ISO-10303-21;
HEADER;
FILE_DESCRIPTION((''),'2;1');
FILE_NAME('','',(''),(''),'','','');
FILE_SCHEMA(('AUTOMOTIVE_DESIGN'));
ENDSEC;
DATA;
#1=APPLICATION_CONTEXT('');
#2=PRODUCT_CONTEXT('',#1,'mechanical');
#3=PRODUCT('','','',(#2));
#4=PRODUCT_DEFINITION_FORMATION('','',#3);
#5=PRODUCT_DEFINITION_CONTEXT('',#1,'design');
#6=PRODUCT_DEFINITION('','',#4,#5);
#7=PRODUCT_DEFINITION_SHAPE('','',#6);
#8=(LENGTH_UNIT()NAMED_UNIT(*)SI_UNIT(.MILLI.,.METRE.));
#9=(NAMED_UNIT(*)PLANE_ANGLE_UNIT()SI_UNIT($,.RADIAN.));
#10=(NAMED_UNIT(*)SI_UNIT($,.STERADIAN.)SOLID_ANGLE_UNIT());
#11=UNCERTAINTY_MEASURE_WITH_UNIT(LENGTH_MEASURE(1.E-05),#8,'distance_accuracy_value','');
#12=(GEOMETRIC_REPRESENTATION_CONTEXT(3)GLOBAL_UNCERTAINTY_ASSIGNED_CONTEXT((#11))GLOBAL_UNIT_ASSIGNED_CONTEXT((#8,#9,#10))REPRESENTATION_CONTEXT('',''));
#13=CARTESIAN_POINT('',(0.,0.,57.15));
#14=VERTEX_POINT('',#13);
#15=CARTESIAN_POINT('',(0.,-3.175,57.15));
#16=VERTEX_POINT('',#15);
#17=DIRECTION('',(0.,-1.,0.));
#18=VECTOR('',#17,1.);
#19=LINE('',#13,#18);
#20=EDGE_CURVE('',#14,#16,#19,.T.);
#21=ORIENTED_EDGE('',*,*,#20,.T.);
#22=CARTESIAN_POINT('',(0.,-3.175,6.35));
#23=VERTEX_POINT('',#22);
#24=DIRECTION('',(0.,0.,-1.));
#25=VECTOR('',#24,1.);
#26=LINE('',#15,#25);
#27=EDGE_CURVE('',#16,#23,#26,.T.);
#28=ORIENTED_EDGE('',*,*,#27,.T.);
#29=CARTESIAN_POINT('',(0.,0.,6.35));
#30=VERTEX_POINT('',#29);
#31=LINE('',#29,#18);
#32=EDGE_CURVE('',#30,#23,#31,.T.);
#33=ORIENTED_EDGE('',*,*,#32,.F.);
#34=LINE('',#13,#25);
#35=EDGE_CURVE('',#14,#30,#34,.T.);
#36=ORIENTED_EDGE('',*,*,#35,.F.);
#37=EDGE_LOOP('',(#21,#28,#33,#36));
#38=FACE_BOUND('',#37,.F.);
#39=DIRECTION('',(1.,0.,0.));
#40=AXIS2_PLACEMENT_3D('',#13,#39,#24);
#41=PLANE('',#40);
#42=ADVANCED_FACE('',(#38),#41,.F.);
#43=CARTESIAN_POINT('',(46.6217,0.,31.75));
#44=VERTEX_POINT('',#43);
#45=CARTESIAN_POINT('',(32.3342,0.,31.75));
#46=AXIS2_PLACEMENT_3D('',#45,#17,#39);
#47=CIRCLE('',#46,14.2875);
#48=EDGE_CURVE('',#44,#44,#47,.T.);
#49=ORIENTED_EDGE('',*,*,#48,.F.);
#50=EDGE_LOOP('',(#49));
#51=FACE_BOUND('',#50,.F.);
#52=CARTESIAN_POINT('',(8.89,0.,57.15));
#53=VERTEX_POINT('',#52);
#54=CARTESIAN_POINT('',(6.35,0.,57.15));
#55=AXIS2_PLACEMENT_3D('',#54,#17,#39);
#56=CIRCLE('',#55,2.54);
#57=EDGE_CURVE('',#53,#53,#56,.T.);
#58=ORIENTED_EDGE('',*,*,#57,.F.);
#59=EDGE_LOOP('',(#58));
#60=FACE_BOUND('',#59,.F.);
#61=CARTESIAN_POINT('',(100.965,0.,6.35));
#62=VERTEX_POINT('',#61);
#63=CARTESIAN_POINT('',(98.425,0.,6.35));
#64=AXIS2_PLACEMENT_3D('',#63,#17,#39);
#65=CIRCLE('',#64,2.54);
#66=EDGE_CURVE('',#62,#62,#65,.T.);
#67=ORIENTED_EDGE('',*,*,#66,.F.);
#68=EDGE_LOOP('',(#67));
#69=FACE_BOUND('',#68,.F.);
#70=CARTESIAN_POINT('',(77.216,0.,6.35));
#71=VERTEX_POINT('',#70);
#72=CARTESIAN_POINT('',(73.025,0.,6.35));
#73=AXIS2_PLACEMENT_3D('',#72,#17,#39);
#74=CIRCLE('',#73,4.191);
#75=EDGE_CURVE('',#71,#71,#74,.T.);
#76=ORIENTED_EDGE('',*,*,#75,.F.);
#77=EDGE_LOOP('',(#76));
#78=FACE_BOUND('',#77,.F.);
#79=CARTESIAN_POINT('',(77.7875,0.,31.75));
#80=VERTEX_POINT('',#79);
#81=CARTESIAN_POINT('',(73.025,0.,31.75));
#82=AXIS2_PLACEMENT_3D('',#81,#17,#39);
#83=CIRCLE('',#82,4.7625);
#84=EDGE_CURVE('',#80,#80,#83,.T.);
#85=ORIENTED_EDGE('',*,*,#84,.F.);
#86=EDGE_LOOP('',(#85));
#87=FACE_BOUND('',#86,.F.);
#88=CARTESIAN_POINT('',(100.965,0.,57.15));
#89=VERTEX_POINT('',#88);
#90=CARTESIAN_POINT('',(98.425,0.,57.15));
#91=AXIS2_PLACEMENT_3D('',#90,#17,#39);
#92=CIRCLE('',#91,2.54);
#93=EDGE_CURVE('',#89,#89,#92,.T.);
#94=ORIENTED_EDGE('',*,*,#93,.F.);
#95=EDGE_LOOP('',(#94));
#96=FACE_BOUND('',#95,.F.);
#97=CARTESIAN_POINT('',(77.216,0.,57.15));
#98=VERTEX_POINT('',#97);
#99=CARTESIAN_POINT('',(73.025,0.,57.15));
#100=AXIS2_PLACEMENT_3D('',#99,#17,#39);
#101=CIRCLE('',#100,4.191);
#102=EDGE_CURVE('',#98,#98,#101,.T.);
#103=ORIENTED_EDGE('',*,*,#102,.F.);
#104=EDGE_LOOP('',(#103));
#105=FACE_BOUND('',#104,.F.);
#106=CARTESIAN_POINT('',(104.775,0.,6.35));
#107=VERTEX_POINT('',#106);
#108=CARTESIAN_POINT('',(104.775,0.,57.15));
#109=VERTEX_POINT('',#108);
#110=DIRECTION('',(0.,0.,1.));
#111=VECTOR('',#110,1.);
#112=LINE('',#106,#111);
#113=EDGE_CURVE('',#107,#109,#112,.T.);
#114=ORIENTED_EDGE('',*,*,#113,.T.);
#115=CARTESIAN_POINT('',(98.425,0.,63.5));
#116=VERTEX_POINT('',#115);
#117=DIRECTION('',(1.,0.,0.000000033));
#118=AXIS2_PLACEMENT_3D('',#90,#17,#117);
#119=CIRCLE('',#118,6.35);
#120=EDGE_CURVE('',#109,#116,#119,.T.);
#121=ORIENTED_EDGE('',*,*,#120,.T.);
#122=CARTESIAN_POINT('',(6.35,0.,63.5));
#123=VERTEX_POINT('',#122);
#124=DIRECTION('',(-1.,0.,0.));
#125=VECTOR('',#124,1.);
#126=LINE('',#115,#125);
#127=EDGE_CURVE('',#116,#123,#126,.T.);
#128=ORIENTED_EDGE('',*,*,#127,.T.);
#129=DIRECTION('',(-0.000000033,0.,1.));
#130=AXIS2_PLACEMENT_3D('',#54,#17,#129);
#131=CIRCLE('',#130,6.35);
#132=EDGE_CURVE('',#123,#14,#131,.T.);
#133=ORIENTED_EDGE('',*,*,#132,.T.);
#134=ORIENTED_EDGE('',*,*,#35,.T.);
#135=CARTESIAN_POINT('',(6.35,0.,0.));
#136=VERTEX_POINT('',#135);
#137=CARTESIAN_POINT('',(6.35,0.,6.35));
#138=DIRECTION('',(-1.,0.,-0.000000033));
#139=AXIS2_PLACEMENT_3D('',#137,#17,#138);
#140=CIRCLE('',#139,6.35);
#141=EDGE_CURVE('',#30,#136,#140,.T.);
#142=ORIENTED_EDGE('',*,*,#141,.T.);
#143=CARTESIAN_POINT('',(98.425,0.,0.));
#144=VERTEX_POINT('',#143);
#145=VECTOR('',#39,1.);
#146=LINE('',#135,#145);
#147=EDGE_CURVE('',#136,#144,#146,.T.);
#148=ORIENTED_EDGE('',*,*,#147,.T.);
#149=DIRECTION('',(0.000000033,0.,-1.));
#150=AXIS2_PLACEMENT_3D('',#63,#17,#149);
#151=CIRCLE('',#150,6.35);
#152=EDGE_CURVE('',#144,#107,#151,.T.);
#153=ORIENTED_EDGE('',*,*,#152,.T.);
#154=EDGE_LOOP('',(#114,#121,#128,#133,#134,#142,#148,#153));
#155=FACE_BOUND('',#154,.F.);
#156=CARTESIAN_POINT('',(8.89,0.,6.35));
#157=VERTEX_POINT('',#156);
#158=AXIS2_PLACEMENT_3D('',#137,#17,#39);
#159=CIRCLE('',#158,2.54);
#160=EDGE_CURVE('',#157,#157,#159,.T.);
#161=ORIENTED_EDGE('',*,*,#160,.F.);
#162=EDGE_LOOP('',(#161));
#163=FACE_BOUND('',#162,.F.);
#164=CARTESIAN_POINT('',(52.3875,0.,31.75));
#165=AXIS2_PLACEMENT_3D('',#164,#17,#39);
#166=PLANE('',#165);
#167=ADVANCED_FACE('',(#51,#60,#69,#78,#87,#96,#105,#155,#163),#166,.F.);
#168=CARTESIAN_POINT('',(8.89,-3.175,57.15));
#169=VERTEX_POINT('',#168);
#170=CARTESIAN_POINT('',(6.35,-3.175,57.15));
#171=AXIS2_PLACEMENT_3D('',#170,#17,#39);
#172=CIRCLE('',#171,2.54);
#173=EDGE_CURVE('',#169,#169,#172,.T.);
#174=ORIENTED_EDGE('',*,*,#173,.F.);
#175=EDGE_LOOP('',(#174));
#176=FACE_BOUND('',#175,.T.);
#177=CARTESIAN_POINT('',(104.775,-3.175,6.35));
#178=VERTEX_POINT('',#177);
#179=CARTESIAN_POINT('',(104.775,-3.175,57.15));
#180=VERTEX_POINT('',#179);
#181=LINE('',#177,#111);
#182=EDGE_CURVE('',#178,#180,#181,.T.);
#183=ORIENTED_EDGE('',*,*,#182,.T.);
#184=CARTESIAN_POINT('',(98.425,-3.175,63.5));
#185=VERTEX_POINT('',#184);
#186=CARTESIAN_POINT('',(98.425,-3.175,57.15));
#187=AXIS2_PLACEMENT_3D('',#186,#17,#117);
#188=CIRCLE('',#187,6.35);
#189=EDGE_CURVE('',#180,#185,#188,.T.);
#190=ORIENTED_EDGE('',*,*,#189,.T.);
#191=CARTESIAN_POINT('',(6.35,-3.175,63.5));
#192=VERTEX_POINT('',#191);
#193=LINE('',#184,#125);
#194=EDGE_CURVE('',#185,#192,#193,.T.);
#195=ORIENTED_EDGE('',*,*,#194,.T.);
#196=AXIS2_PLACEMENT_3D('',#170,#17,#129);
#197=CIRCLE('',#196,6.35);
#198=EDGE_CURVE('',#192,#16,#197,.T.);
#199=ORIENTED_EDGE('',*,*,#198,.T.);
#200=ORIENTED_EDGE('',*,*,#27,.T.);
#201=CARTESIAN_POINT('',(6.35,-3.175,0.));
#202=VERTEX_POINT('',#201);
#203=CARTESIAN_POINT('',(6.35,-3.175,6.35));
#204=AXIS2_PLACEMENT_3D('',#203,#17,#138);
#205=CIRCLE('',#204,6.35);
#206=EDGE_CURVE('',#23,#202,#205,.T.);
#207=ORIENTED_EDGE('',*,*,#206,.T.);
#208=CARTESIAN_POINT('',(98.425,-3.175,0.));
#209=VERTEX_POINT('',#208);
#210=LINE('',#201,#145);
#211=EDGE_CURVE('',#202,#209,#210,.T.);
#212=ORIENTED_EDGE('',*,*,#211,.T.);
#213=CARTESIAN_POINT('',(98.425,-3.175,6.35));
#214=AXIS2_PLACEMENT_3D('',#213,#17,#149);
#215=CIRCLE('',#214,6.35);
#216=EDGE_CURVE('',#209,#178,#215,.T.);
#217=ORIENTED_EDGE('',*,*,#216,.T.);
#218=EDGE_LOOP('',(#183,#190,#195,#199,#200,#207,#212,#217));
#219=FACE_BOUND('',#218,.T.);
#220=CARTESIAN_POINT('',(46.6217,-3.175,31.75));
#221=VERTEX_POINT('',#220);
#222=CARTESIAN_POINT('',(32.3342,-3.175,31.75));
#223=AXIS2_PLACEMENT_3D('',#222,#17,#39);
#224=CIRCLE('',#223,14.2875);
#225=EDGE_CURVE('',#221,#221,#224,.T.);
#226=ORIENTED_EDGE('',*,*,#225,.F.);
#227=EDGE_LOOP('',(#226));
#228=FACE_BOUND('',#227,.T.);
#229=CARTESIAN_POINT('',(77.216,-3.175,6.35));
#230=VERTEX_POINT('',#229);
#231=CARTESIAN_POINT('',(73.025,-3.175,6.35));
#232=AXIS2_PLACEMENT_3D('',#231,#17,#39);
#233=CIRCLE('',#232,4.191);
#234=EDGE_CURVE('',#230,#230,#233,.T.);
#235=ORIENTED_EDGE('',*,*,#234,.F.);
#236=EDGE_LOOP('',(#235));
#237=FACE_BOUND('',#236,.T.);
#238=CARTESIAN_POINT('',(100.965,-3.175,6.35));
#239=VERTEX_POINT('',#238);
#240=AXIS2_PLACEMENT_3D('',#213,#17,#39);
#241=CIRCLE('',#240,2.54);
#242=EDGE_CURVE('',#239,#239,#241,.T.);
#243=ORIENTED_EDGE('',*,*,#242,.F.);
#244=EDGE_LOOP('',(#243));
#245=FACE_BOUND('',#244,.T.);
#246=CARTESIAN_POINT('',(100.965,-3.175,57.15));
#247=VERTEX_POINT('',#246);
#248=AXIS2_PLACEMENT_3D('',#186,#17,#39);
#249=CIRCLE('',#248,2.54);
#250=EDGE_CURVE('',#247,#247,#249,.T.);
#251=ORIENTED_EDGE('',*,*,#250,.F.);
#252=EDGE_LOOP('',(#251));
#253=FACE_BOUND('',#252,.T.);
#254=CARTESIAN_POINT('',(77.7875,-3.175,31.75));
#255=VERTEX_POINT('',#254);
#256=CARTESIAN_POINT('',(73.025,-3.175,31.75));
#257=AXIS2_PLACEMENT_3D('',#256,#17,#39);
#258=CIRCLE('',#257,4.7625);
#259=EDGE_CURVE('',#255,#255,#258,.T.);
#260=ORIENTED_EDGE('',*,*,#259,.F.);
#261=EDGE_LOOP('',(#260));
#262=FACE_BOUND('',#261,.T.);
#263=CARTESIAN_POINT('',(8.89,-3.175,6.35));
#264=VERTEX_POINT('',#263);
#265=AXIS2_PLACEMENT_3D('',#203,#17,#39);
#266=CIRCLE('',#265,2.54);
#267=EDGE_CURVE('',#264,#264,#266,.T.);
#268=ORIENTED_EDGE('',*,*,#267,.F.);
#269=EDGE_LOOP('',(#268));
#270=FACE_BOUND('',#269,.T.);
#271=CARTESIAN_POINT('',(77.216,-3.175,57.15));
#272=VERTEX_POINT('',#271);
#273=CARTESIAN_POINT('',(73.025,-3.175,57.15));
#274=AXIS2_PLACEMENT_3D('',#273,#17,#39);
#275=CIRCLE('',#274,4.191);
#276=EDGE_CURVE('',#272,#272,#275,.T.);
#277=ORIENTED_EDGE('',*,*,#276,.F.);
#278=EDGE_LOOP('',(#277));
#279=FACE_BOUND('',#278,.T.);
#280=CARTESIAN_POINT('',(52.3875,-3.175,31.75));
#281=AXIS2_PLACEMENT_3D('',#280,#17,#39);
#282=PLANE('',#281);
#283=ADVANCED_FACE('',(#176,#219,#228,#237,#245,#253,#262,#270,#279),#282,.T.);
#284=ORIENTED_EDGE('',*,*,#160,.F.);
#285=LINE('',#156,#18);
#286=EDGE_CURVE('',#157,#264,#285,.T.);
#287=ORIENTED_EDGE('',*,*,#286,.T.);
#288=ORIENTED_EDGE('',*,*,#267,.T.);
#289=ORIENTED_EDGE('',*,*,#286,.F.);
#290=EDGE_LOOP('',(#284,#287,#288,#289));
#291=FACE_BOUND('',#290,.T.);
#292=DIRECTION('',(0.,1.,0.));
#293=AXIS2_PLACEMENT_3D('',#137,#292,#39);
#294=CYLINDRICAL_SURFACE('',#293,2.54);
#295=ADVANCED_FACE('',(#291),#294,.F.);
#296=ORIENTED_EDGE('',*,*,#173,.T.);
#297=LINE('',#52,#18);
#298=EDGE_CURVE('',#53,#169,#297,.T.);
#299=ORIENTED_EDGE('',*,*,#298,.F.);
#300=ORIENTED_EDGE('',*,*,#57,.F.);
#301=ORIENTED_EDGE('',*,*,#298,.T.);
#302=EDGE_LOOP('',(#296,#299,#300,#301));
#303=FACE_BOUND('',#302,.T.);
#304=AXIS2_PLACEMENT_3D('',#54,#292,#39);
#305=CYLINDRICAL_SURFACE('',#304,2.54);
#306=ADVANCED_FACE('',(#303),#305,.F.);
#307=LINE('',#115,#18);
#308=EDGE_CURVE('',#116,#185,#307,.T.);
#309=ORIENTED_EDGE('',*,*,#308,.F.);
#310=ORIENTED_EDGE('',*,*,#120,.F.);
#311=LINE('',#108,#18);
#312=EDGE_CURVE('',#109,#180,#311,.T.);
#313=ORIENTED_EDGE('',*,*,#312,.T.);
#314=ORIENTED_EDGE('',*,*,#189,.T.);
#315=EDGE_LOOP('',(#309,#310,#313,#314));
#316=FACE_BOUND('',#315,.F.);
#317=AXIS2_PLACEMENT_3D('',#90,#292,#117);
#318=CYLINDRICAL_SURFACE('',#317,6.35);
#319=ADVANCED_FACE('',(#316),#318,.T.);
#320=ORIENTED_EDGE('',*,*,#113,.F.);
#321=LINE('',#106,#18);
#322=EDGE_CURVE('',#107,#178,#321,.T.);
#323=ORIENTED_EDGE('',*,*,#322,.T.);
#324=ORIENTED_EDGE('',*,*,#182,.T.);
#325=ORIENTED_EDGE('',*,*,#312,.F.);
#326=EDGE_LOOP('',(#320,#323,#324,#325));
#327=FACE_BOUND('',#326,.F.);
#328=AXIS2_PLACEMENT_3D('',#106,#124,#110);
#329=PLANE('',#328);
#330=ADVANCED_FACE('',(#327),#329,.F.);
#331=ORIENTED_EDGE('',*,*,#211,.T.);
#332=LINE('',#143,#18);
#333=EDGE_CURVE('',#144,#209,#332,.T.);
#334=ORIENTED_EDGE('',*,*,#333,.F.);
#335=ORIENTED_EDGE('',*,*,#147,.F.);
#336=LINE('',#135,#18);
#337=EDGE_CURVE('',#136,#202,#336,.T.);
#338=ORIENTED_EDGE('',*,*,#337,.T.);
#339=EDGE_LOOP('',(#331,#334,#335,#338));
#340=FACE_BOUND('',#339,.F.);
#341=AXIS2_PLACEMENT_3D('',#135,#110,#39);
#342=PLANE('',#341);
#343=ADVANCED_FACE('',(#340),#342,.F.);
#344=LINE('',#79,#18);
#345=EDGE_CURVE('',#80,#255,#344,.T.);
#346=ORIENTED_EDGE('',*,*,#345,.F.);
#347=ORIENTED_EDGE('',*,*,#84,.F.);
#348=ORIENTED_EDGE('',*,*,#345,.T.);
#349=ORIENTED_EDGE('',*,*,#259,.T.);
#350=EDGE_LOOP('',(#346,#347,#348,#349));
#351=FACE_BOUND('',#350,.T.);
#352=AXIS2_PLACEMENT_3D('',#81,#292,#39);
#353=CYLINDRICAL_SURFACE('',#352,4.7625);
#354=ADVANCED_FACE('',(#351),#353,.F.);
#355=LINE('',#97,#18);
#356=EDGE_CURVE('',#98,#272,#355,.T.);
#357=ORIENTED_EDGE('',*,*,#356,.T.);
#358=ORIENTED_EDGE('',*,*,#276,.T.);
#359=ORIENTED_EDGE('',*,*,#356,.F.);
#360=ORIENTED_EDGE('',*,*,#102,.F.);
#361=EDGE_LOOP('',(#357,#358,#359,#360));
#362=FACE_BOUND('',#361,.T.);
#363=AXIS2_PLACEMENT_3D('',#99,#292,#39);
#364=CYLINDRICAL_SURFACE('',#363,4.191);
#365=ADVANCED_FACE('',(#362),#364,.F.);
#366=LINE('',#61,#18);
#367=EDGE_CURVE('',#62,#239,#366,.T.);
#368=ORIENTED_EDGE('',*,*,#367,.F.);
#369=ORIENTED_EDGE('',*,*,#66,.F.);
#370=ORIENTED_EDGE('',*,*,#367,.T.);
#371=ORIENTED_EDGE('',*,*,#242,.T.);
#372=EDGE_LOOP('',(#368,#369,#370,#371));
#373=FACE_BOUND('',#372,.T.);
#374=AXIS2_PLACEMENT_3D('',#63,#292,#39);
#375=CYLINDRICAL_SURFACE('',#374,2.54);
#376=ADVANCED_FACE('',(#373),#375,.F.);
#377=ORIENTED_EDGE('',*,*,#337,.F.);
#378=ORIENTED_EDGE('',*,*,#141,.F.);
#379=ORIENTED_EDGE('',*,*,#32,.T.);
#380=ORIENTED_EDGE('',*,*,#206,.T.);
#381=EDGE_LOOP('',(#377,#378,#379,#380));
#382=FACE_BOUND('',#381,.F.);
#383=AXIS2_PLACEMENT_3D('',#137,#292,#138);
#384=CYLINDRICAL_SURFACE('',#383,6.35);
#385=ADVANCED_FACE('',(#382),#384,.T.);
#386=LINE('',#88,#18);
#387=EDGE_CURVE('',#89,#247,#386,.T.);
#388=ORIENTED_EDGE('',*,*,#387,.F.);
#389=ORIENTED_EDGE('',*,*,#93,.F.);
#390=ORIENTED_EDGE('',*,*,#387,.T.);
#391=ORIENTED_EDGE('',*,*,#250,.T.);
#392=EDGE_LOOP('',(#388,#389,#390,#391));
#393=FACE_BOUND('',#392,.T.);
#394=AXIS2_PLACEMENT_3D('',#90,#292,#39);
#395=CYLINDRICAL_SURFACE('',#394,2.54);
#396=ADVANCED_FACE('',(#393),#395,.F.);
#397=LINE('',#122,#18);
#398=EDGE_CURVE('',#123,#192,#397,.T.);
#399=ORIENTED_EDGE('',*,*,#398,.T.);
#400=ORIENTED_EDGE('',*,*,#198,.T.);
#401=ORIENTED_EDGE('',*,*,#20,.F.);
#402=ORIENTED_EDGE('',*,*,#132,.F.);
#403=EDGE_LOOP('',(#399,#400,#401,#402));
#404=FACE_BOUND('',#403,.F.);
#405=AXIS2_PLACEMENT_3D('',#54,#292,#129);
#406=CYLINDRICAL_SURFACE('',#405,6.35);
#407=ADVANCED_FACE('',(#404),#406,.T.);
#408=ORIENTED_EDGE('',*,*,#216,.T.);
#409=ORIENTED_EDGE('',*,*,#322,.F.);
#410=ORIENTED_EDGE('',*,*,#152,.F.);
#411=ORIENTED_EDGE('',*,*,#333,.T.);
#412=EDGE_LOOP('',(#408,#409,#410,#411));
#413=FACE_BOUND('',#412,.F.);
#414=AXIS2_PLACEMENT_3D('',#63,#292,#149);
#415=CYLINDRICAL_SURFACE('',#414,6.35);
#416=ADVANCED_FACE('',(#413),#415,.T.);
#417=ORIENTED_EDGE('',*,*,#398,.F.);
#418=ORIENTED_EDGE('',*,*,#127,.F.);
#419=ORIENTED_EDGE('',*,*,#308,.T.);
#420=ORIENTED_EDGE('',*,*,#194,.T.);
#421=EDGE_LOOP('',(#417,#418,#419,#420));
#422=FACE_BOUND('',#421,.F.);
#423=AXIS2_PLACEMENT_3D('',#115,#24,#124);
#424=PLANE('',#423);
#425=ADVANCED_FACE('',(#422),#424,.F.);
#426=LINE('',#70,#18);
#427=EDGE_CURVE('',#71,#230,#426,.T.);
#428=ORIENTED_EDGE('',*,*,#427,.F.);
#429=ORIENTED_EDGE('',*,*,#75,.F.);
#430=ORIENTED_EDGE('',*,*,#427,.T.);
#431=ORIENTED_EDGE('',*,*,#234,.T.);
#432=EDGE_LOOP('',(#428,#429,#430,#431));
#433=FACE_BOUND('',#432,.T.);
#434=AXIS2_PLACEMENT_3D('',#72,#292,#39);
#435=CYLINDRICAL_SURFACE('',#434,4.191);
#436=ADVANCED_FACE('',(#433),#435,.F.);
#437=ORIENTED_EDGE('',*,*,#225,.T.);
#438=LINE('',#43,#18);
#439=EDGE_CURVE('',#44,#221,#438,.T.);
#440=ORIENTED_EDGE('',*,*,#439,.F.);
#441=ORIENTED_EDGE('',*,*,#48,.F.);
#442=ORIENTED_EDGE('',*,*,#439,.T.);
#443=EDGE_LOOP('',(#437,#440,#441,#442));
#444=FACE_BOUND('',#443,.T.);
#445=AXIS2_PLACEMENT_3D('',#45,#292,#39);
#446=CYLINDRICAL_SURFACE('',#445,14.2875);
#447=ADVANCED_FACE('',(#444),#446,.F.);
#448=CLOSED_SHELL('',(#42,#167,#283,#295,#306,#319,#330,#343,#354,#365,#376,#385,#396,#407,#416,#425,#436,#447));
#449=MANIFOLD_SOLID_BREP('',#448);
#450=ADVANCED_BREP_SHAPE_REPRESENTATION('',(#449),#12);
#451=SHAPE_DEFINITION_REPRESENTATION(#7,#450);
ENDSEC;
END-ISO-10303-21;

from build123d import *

# Parameters (mm, degrees)
F0_R     = 2.54
F0_R_2   = 4.191
F0_R_3   = 14.2875
F0_R_4   = 4.7625
F1_DEPTH = 3.175


with BuildPart() as f1:
    # F0 (on Front) → F1 (new body)
    with BuildSketch(Plane.XZ):
        with BuildLine():
            ThreePointArc((0, 6.35), (1.859872, 1.859872), (6.35, 0))
            Line((6.35, 0), (98.425, 0))
            ThreePointArc((98.425, 0), (102.915128, 1.859872), (104.775, 6.35))
            Line((104.775, 6.35), (104.775, 57.15))
            ThreePointArc((104.775, 57.15), (102.915128, 61.640128), (98.425, 63.5))
            Line((98.425, 63.5), (6.35, 63.5))
            ThreePointArc((6.35, 63.5), (1.859872, 61.640128), (0, 57.15))
            Line((0, 57.15), (0, 6.35))
        make_face()
        with Locations((6.35, 6.35)):
            Circle(F0_R, mode=Mode.SUBTRACT)
        with Locations((73.025, 6.35)):
            Circle(F0_R_2, mode=Mode.SUBTRACT)
        with Locations((98.425, 6.35)):
            Circle(F0_R, mode=Mode.SUBTRACT)
        with Locations((32.3342, 31.75)):
            Circle(F0_R_3, mode=Mode.SUBTRACT)
        with Locations((6.35, 57.15)):
            Circle(F0_R, mode=Mode.SUBTRACT)
        with Locations((73.025, 31.75)):
            Circle(F0_R_4, mode=Mode.SUBTRACT)
        with Locations((73.025, 57.15)):
            Circle(F0_R_2, mode=Mode.SUBTRACT)
        with Locations((98.425, 57.15)):
            Circle(F0_R, mode=Mode.SUBTRACT)
    extrude(amount=F1_DEPTH)


solid = f1.part
